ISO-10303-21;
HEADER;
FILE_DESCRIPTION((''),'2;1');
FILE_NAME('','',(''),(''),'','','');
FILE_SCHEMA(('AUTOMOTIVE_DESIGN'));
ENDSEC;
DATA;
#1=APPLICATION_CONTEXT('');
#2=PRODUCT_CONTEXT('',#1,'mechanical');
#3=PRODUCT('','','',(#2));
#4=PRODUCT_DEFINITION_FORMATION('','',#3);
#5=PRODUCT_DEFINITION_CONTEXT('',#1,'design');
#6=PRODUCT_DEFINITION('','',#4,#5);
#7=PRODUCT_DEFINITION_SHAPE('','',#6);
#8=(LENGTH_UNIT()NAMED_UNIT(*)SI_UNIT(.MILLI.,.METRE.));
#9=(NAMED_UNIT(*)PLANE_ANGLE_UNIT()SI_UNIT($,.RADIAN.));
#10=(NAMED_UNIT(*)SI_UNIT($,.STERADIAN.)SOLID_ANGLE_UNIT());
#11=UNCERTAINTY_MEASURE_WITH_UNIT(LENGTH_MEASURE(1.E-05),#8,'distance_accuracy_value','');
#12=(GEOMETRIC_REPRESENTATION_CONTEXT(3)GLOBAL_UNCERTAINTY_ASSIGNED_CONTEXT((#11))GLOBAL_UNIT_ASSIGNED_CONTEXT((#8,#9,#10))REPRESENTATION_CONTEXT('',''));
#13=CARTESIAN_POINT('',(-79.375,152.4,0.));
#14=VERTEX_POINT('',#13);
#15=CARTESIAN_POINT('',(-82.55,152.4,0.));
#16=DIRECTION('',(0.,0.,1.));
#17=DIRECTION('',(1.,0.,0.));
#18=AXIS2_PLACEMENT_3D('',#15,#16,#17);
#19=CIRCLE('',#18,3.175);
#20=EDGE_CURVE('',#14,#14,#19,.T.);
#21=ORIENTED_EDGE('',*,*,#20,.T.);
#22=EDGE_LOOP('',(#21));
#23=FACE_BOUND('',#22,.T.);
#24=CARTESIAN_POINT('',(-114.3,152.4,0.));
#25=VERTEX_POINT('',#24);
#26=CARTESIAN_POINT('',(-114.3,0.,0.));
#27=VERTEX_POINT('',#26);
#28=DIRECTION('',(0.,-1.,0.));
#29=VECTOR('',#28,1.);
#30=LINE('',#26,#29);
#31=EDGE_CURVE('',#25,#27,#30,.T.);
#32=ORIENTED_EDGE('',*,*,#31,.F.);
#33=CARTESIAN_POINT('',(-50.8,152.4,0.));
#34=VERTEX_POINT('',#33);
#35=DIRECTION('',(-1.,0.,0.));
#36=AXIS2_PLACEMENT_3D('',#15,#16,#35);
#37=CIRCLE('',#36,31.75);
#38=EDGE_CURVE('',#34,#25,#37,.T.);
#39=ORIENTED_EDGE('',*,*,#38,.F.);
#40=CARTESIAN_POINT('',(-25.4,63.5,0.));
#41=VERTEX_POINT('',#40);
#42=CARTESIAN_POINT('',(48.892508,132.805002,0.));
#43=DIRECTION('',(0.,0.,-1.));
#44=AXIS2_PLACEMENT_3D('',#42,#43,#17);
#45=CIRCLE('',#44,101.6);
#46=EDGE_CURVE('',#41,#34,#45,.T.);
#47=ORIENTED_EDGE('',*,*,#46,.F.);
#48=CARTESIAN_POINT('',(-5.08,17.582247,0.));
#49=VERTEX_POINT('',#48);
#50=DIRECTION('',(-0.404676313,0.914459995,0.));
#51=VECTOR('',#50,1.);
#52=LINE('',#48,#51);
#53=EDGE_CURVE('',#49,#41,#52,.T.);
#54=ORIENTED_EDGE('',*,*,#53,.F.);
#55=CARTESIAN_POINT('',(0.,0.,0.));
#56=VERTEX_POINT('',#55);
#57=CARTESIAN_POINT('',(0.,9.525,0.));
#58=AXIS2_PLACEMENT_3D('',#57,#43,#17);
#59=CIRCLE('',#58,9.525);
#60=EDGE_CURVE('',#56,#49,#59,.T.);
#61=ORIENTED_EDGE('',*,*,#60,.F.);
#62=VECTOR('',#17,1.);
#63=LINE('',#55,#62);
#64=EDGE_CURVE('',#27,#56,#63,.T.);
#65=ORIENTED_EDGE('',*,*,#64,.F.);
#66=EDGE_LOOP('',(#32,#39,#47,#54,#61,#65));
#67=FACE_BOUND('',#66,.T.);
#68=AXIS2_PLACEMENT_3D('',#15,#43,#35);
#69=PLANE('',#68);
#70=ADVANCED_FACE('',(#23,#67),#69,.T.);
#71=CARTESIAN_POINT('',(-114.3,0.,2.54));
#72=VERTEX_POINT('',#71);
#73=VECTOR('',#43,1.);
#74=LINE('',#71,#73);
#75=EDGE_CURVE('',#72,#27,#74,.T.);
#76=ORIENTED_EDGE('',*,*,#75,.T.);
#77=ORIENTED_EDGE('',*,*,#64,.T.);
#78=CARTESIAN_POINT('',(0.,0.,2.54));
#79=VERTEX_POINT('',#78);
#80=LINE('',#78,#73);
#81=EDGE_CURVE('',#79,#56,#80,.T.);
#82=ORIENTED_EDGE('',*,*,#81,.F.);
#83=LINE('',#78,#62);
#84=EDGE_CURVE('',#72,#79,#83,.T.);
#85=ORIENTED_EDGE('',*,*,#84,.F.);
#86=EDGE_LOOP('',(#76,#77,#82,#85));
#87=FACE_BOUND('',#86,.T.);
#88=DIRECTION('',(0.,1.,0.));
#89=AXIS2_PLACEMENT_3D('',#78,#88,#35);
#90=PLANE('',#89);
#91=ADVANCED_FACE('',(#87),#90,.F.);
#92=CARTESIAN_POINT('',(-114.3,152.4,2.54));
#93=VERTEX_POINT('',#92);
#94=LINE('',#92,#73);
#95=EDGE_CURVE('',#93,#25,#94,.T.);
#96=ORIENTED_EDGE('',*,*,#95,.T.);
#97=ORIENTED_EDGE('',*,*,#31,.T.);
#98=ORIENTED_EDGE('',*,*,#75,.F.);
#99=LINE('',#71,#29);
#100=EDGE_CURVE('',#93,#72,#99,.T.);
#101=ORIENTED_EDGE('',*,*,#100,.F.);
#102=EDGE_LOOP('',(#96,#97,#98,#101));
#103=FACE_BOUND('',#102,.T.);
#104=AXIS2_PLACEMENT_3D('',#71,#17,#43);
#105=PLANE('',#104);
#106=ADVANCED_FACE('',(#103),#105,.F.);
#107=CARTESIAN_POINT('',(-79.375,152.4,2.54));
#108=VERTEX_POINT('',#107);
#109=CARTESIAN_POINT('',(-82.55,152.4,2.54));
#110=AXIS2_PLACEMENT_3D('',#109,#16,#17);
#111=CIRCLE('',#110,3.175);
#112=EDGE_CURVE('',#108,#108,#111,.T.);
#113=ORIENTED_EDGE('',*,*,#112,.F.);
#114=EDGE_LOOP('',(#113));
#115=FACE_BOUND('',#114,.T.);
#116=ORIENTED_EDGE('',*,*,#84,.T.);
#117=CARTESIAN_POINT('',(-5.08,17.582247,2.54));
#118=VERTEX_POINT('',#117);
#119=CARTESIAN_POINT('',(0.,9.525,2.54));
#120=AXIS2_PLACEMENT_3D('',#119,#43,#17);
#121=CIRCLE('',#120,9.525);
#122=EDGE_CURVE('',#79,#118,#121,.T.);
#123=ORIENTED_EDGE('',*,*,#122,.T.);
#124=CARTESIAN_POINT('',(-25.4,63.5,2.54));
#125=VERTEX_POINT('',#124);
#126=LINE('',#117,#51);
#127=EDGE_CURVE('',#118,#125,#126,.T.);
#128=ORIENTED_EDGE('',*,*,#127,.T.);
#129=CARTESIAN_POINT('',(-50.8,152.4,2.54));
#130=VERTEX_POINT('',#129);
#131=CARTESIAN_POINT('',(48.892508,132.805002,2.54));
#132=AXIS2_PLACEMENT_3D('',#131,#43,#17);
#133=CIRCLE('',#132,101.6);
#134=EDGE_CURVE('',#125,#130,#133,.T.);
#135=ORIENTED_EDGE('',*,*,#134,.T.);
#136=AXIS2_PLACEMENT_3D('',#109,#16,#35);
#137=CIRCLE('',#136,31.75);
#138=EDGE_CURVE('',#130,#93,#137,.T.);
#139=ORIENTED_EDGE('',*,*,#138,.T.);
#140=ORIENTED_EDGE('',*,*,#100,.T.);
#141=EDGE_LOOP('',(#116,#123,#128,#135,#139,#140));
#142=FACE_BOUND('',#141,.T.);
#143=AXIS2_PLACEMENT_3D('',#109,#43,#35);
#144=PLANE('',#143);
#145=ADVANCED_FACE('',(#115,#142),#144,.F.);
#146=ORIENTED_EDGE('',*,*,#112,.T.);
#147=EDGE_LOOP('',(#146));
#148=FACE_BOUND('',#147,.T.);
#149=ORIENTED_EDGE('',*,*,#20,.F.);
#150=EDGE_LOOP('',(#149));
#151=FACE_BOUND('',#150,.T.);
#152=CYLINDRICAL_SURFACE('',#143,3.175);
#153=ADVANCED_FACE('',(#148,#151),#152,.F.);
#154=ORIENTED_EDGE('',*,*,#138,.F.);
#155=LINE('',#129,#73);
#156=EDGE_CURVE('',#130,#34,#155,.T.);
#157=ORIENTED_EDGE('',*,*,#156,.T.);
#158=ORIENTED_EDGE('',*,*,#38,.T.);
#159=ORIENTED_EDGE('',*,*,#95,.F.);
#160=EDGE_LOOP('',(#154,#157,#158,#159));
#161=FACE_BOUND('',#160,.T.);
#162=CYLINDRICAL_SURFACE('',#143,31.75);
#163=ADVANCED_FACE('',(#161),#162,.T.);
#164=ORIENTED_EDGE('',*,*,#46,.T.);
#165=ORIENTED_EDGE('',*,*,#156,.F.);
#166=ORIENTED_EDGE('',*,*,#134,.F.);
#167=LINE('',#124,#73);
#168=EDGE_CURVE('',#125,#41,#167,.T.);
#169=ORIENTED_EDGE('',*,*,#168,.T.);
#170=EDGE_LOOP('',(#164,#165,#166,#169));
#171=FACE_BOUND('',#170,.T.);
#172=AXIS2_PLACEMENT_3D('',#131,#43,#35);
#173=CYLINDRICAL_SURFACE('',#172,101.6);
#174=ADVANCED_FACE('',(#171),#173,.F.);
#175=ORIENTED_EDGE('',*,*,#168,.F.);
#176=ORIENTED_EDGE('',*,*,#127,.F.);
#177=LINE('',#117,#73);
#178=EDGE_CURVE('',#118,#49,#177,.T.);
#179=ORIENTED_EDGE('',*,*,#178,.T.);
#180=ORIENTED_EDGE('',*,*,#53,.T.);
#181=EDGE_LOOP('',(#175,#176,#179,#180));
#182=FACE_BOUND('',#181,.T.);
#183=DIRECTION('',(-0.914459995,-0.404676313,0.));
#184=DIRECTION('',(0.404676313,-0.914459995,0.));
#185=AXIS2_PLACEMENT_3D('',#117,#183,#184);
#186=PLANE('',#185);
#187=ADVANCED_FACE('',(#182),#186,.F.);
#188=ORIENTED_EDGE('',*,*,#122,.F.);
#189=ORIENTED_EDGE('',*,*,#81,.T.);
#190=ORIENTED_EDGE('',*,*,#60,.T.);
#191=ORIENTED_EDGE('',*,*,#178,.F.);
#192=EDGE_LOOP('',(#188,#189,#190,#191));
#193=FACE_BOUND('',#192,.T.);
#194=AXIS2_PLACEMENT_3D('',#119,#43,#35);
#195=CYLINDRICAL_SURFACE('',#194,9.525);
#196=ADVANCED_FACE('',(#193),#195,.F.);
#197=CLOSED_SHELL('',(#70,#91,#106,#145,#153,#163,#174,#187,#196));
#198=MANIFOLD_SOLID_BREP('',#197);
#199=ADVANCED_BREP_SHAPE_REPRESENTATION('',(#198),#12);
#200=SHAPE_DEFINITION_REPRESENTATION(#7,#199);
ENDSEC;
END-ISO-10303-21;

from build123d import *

# Parameters (mm, degrees)
SKETCH1_R           = 3.175
BOSS_EXTRUDE1_DEPTH = 2.54


with BuildPart() as part:
    # Sketch1 → Boss-Extrude1 (new body)
    with BuildSketch(Plane.XY):
        with BuildLine():
            Line((0, 0), (-114.3, 0))
            Line((-114.3, 0), (-114.3, 152.4))
            ThreePointArc((-114.3, 152.4), (-82.55, 184.15), (-50.8, 152.4))
            ThreePointArc((-50.8, 152.4), (-48.798325541, 104.89333556), (-25.4, 63.5))
            Line((-25.4, 63.5), (-5.08, 17.582246738))
            ThreePointArc((-5.08, 17.582246738), (-9.150707628, 6.881106109), (0, 0))
        make_face()
        with Locations((-82.55, 152.4)):
            Circle(SKETCH1_R, mode=Mode.SUBTRACT)
    extrude(amount=BOSS_EXTRUDE1_DEPTH)


solid = part.part
